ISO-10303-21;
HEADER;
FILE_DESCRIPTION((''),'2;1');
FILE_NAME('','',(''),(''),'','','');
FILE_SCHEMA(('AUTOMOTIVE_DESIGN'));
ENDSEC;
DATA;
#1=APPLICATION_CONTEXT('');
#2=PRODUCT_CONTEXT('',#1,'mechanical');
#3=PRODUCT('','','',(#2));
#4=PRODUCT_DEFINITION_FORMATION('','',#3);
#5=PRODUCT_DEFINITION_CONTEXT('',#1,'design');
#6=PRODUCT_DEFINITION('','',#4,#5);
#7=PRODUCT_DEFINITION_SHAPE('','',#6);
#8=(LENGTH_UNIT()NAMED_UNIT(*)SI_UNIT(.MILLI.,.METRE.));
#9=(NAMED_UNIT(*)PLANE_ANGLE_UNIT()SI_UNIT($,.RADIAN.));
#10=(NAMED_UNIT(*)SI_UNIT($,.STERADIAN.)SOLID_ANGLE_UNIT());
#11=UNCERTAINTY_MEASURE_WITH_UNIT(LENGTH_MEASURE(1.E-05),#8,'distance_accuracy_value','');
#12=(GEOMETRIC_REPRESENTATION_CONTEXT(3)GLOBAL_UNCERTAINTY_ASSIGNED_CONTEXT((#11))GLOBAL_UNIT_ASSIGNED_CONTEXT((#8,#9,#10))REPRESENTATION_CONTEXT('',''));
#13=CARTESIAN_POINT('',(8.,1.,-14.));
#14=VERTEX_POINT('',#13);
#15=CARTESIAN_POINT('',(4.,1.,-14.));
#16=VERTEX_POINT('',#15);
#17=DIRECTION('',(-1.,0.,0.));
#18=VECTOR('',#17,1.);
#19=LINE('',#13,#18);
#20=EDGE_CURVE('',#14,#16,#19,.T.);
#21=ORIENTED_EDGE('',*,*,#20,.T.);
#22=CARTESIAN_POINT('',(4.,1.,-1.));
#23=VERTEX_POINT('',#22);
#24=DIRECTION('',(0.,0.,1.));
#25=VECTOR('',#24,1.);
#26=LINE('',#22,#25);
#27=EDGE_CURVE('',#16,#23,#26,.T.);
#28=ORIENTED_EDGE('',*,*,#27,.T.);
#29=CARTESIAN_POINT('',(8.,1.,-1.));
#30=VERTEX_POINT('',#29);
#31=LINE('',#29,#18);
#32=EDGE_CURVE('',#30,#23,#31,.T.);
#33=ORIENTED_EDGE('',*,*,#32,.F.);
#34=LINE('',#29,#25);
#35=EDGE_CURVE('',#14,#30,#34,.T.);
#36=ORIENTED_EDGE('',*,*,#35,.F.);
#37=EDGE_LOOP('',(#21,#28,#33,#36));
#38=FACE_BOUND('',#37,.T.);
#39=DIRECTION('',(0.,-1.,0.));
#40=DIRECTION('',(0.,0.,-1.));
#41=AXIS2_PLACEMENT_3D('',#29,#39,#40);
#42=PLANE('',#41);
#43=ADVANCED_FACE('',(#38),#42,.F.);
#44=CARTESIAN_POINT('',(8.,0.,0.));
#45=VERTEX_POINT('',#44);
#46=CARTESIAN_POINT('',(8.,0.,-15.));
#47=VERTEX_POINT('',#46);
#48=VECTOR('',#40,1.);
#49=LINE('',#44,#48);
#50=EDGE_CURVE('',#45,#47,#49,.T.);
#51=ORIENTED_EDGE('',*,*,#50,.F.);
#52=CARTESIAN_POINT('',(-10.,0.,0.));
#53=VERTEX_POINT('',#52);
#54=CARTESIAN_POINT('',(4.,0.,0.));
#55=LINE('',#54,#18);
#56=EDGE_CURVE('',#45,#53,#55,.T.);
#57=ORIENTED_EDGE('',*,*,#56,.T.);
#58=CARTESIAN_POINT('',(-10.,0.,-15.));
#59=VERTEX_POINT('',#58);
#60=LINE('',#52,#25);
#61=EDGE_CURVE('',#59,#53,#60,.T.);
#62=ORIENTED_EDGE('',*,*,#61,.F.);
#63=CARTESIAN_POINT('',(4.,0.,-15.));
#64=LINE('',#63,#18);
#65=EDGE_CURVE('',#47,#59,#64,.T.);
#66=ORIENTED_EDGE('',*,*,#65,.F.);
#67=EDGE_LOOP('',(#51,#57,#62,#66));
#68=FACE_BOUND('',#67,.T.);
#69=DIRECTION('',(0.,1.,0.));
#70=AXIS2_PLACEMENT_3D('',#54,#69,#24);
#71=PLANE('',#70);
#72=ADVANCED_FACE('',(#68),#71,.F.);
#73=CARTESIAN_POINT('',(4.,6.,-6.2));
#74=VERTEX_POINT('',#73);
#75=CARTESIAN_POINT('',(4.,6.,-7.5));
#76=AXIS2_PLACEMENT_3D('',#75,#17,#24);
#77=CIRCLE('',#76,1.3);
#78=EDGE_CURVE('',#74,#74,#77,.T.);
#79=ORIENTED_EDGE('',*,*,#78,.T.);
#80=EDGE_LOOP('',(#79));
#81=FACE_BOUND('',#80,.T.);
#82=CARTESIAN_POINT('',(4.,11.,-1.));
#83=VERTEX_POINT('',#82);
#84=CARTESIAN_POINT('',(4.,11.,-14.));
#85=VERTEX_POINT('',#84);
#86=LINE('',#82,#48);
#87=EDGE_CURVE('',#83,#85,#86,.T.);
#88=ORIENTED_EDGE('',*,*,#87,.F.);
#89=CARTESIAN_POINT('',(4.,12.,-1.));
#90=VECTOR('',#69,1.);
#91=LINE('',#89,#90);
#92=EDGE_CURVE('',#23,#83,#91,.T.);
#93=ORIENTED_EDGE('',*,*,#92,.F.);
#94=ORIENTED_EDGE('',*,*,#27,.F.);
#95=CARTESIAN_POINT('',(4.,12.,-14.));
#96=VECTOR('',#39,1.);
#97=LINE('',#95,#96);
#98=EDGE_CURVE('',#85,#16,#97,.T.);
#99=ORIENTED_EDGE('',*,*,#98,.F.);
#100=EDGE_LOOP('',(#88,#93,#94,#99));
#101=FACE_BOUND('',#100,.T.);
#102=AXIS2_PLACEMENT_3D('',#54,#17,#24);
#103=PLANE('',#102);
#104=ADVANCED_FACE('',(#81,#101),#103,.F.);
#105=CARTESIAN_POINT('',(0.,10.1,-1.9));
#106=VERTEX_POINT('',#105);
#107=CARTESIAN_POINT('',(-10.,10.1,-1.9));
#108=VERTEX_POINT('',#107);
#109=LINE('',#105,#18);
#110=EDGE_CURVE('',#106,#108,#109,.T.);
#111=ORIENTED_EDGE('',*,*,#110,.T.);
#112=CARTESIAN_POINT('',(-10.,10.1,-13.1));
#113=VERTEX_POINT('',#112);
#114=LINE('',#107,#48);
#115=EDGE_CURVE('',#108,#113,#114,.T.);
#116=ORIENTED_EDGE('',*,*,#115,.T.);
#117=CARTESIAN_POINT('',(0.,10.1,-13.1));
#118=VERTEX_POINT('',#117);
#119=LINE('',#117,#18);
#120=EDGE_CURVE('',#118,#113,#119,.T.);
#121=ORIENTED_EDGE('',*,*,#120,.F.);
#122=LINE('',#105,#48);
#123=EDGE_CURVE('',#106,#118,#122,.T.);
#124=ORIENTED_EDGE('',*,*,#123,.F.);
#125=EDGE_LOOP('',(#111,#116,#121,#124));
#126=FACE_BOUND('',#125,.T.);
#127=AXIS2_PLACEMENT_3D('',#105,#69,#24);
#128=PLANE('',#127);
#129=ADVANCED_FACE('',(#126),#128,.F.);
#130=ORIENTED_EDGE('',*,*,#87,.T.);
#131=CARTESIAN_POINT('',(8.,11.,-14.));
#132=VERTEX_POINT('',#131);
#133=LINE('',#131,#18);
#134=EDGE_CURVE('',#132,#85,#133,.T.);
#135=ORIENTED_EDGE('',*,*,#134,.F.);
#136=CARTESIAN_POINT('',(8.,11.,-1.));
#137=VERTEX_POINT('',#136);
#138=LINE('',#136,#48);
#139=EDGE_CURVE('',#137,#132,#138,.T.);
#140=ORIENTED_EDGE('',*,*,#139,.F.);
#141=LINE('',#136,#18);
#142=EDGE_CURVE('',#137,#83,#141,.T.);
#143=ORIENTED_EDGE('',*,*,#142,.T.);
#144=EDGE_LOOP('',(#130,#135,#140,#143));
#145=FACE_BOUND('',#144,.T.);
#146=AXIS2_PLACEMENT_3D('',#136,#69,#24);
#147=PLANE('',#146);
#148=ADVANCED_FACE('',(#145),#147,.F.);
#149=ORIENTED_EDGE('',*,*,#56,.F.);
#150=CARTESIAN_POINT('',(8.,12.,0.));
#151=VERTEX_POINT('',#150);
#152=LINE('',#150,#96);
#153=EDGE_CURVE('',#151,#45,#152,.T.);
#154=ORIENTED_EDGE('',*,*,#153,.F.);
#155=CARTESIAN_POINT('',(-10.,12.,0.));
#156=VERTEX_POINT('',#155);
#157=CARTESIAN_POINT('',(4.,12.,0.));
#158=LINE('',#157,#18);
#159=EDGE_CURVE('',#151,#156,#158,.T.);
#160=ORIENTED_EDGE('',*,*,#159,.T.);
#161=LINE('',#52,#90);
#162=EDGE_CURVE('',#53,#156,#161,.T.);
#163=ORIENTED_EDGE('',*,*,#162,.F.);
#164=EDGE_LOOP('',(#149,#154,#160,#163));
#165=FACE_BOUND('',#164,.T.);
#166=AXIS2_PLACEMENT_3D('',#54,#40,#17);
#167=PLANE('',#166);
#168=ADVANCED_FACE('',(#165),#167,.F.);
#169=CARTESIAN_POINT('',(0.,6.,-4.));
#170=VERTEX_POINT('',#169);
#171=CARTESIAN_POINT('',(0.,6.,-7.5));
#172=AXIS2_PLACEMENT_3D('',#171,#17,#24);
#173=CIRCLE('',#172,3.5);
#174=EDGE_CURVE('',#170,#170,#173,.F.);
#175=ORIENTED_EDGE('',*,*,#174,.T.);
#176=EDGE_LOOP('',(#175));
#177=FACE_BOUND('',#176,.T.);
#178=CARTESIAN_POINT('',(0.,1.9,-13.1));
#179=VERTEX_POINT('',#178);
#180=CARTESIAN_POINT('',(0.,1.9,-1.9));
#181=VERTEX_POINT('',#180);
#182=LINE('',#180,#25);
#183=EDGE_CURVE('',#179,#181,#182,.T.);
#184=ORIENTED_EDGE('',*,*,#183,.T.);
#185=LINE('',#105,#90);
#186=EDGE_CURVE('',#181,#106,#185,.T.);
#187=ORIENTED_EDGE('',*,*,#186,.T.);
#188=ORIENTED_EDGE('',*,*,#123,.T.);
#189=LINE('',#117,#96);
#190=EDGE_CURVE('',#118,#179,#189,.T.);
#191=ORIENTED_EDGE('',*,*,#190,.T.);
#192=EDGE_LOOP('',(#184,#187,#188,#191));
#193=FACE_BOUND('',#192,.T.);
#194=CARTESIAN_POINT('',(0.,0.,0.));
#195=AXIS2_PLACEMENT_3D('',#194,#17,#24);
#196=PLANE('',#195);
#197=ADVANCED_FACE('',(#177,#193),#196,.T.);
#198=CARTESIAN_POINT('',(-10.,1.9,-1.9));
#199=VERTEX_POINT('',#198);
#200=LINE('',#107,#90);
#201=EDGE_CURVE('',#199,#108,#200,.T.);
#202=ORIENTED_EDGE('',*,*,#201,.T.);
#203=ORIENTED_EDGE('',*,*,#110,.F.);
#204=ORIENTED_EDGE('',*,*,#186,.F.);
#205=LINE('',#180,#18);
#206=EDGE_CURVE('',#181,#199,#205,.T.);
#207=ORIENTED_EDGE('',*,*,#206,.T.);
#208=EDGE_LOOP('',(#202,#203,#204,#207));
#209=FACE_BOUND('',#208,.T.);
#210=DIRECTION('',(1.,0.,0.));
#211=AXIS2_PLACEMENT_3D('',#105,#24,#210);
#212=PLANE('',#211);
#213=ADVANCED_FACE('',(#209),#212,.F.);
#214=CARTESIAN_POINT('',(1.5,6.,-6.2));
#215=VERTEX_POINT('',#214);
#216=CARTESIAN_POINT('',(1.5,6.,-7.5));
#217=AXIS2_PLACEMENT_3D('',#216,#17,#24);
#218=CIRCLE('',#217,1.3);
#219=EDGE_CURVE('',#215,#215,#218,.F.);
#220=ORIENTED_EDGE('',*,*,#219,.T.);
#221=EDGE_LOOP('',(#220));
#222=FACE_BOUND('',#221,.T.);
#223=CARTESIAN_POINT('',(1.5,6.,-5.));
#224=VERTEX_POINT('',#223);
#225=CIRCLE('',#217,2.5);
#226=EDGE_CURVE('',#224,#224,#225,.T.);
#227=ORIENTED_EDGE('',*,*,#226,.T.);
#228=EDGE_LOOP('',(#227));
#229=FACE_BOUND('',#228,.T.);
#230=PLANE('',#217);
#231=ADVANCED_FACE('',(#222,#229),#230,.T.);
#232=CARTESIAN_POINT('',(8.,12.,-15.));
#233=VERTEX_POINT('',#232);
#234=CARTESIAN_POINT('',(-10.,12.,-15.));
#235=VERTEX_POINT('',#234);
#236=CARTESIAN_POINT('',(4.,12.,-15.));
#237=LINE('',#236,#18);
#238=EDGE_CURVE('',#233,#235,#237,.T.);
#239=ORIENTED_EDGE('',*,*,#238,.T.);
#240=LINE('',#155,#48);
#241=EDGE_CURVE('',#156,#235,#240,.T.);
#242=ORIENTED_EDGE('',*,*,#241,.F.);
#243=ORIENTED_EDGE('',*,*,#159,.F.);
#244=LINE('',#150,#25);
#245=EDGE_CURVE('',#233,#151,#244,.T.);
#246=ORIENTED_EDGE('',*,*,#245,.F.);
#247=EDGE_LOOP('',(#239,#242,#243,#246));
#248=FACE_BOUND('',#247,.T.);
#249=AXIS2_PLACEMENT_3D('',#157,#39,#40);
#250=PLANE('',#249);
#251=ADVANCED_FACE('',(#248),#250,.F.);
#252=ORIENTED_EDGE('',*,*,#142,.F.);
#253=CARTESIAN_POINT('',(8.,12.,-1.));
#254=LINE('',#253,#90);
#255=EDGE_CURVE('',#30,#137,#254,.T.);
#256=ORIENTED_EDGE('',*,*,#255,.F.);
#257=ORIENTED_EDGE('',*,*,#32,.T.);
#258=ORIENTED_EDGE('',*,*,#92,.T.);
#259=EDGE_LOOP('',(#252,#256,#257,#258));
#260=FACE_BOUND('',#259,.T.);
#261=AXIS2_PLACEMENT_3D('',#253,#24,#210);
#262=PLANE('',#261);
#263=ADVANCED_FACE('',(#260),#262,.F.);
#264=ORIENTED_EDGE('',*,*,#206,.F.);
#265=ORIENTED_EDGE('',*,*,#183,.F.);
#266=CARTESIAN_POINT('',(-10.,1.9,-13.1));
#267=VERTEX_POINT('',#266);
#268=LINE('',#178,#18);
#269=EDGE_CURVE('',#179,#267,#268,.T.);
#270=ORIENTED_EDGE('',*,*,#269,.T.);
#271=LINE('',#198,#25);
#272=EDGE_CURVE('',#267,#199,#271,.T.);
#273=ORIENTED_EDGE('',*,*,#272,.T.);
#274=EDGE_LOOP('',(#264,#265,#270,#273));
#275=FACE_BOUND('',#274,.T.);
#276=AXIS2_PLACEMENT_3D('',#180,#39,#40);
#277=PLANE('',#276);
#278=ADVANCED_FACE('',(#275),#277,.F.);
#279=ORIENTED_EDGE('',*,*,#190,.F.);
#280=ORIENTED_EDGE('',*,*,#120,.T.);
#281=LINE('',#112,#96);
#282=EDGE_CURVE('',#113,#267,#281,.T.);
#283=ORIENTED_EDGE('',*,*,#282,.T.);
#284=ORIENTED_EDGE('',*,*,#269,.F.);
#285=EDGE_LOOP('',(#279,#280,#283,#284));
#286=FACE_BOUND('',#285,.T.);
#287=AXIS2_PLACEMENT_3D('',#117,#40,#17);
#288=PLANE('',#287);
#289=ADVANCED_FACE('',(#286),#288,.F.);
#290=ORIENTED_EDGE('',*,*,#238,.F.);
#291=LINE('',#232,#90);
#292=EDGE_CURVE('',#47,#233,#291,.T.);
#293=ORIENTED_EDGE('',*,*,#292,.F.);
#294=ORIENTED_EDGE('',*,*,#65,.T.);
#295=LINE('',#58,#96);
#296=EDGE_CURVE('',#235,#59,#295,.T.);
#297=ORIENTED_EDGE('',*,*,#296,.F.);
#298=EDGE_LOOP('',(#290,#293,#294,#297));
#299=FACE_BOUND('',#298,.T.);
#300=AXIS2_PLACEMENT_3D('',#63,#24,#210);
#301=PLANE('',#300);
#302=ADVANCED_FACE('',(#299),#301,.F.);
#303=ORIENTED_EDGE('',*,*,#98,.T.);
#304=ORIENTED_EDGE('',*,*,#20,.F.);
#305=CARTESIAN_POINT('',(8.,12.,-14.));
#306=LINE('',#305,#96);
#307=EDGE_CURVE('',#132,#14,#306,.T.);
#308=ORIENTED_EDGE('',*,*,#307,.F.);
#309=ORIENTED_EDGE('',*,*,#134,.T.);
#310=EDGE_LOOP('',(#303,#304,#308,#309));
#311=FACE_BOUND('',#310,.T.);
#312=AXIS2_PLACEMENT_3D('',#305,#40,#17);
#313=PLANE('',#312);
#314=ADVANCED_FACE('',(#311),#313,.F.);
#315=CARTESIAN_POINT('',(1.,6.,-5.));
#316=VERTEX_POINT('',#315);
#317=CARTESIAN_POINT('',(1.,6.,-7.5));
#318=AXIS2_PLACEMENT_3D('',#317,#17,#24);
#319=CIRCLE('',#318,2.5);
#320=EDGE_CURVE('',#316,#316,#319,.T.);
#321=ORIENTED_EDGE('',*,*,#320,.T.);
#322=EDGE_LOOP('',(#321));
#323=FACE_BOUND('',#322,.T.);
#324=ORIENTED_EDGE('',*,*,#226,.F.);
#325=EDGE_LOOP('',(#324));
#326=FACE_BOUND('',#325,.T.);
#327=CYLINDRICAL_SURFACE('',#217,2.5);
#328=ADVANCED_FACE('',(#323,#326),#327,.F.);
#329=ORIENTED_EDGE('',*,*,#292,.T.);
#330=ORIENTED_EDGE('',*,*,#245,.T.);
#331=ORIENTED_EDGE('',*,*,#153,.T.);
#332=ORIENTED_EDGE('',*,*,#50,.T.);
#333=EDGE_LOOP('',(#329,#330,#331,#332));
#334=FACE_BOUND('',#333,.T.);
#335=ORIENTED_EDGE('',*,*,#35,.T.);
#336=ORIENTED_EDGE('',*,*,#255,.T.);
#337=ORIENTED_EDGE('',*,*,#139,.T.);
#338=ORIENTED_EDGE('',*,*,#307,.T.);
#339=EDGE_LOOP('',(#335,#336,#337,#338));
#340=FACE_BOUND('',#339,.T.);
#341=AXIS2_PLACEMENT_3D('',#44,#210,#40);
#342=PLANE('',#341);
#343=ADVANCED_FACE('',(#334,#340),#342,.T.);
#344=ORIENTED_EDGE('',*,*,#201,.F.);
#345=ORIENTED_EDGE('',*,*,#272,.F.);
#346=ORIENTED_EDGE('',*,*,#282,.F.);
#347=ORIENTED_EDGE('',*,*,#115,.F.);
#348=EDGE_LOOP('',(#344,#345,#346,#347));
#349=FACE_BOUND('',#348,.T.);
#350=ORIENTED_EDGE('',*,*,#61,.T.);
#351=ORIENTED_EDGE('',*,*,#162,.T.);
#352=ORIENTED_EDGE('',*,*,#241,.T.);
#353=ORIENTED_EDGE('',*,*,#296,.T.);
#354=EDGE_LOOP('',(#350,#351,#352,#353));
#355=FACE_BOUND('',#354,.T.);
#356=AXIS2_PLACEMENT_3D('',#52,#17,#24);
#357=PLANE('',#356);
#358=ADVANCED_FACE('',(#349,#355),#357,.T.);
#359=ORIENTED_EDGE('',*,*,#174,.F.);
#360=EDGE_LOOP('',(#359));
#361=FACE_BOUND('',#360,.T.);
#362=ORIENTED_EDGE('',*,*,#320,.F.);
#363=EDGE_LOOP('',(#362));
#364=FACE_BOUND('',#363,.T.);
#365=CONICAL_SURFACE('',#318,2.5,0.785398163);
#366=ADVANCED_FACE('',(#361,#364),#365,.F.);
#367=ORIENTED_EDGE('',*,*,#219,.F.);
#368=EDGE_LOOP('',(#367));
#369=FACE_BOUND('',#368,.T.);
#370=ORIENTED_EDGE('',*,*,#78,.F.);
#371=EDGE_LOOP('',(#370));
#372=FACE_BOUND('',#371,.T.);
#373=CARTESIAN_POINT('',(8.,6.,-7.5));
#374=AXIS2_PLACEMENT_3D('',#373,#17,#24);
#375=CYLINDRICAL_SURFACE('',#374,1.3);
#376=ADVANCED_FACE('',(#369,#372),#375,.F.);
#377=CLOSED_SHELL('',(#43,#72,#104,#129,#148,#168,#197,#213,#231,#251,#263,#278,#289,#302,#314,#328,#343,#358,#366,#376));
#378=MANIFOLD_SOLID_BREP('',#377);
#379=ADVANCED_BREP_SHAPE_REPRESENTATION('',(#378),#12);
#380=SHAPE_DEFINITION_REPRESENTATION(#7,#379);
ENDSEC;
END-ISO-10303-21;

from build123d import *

# Parameters (mm, degrees)
ESQUISSE1_W             = 15
ESQUISSE1_H             = 12
BOSS_EXTRU_1_DEPTH      = 4
ESQUISSE2_W             = 1
ESQUISSE2_H             = 12
BOSS_EXTRU_2_DEPTH      = 4
ESQUISSE3_W             = 13
ESQUISSE3_H             = 1
BOSS_EXTRU_3_DEPTH      = 4
ESQUISSE4_R             = 1.3
ENL_V_MAT_EXTRU_1_DEPTH = 21.808652047
ESQUISSE5_R             = 2.5
ENL_V_MAT_EXTRU_2_DEPTH = 1.5
CHANFREIN1_SIZE         = 1
ESQUISSE6_W             = 11
ESQUISSE6_H             = 8
BOSS_EXTRU_4_DEPTH      = 10
ESQUISSE7_W             = 11.2
ESQUISSE7_H             = 8.2
ENL_V_MAT_EXTRU_3_DEPTH = 10


with BuildPart() as part:
    # Esquisse1 → Boss.-Extru.1 (new body)
    with BuildSketch(Plane(origin=(0, 0, 0), x_dir=(0, 0, -1), z_dir=(1, 0, 0))):
        with Locations((7.5, 6)):
            Rectangle(ESQUISSE1_W, ESQUISSE1_H)
    extrude(amount=BOSS_EXTRU_1_DEPTH)

    # Esquisse2 → Boss.-Extru.2 (add)
    with BuildSketch(Plane(origin=(4, 0, 0), x_dir=(0, 0, -1), z_dir=(1, 0, 0))):
        with Locations((0.5, 6)):
            Rectangle(ESQUISSE2_W, ESQUISSE2_H)
        with Locations((14.5, 6)):
            Rectangle(ESQUISSE2_W, ESQUISSE2_H)
    extrude(amount=BOSS_EXTRU_2_DEPTH)

    # Esquisse3 → Boss.-Extru.3 (add)
    with BuildSketch(Plane(origin=(4, 0, 0), x_dir=(0, 0, -1), z_dir=(1, 0, 0))):
        with Locations((7.5, 11.5)):
            Rectangle(ESQUISSE3_W, ESQUISSE3_H)
        with Locations((7.5, 0.5)):
            Rectangle(ESQUISSE3_W, ESQUISSE3_H)
    extrude(amount=BOSS_EXTRU_3_DEPTH)

    # Esquisse4 → Enlèv. mat.-Extru.1 (cut, through all)
    with BuildSketch(Plane.ZY):
        with Locations((-7.5, 6)):
            Circle(ESQUISSE4_R)
    extrude(amount=-ENL_V_MAT_EXTRU_1_DEPTH, mode=Mode.SUBTRACT)

    # Esquisse5 → Enlèv. mat.-Extru.2 (cut)
    with BuildSketch(Plane.ZY):
        with Locations((-7.5, 6)):
            Circle(ESQUISSE5_R)
    extrude(amount=-ENL_V_MAT_EXTRU_2_DEPTH, mode=Mode.SUBTRACT)

    # Chanfrein1
    chanfrein1_edges = [part.edges().sort_by_distance(p)[0] for p in [
        (0, 6, -10),
    ]]
    chamfer(chanfrein1_edges, length=CHANFREIN1_SIZE)

    # Esquisse6 → Boss.-Extru.4 (add)
    with BuildSketch(Plane.ZY):
        Polygon((-2, 0), (0, 0), (0, 2), (0, 10), (0, 12), (-2, 12), (-13, 12), (-15, 12), (-15, 10), (-15, 2), (-15, 0), (-13, 0), align=None)
        with Locations((-7.5, 6)):
            Rectangle(ESQUISSE6_W, ESQUISSE6_H, mode=Mode.SUBTRACT)
    extrude(amount=BOSS_EXTRU_4_DEPTH)

    # Esquisse7 → Enlèv. mat.-Extru.3 (cut)
    with BuildSketch(Plane.ZY.offset(10)):
        with Locations((-7.5, 6)):
            Rectangle(ESQUISSE7_W, ESQUISSE7_H)
    extrude(amount=-ENL_V_MAT_EXTRU_3_DEPTH, mode=Mode.SUBTRACT)


solid = part.part
